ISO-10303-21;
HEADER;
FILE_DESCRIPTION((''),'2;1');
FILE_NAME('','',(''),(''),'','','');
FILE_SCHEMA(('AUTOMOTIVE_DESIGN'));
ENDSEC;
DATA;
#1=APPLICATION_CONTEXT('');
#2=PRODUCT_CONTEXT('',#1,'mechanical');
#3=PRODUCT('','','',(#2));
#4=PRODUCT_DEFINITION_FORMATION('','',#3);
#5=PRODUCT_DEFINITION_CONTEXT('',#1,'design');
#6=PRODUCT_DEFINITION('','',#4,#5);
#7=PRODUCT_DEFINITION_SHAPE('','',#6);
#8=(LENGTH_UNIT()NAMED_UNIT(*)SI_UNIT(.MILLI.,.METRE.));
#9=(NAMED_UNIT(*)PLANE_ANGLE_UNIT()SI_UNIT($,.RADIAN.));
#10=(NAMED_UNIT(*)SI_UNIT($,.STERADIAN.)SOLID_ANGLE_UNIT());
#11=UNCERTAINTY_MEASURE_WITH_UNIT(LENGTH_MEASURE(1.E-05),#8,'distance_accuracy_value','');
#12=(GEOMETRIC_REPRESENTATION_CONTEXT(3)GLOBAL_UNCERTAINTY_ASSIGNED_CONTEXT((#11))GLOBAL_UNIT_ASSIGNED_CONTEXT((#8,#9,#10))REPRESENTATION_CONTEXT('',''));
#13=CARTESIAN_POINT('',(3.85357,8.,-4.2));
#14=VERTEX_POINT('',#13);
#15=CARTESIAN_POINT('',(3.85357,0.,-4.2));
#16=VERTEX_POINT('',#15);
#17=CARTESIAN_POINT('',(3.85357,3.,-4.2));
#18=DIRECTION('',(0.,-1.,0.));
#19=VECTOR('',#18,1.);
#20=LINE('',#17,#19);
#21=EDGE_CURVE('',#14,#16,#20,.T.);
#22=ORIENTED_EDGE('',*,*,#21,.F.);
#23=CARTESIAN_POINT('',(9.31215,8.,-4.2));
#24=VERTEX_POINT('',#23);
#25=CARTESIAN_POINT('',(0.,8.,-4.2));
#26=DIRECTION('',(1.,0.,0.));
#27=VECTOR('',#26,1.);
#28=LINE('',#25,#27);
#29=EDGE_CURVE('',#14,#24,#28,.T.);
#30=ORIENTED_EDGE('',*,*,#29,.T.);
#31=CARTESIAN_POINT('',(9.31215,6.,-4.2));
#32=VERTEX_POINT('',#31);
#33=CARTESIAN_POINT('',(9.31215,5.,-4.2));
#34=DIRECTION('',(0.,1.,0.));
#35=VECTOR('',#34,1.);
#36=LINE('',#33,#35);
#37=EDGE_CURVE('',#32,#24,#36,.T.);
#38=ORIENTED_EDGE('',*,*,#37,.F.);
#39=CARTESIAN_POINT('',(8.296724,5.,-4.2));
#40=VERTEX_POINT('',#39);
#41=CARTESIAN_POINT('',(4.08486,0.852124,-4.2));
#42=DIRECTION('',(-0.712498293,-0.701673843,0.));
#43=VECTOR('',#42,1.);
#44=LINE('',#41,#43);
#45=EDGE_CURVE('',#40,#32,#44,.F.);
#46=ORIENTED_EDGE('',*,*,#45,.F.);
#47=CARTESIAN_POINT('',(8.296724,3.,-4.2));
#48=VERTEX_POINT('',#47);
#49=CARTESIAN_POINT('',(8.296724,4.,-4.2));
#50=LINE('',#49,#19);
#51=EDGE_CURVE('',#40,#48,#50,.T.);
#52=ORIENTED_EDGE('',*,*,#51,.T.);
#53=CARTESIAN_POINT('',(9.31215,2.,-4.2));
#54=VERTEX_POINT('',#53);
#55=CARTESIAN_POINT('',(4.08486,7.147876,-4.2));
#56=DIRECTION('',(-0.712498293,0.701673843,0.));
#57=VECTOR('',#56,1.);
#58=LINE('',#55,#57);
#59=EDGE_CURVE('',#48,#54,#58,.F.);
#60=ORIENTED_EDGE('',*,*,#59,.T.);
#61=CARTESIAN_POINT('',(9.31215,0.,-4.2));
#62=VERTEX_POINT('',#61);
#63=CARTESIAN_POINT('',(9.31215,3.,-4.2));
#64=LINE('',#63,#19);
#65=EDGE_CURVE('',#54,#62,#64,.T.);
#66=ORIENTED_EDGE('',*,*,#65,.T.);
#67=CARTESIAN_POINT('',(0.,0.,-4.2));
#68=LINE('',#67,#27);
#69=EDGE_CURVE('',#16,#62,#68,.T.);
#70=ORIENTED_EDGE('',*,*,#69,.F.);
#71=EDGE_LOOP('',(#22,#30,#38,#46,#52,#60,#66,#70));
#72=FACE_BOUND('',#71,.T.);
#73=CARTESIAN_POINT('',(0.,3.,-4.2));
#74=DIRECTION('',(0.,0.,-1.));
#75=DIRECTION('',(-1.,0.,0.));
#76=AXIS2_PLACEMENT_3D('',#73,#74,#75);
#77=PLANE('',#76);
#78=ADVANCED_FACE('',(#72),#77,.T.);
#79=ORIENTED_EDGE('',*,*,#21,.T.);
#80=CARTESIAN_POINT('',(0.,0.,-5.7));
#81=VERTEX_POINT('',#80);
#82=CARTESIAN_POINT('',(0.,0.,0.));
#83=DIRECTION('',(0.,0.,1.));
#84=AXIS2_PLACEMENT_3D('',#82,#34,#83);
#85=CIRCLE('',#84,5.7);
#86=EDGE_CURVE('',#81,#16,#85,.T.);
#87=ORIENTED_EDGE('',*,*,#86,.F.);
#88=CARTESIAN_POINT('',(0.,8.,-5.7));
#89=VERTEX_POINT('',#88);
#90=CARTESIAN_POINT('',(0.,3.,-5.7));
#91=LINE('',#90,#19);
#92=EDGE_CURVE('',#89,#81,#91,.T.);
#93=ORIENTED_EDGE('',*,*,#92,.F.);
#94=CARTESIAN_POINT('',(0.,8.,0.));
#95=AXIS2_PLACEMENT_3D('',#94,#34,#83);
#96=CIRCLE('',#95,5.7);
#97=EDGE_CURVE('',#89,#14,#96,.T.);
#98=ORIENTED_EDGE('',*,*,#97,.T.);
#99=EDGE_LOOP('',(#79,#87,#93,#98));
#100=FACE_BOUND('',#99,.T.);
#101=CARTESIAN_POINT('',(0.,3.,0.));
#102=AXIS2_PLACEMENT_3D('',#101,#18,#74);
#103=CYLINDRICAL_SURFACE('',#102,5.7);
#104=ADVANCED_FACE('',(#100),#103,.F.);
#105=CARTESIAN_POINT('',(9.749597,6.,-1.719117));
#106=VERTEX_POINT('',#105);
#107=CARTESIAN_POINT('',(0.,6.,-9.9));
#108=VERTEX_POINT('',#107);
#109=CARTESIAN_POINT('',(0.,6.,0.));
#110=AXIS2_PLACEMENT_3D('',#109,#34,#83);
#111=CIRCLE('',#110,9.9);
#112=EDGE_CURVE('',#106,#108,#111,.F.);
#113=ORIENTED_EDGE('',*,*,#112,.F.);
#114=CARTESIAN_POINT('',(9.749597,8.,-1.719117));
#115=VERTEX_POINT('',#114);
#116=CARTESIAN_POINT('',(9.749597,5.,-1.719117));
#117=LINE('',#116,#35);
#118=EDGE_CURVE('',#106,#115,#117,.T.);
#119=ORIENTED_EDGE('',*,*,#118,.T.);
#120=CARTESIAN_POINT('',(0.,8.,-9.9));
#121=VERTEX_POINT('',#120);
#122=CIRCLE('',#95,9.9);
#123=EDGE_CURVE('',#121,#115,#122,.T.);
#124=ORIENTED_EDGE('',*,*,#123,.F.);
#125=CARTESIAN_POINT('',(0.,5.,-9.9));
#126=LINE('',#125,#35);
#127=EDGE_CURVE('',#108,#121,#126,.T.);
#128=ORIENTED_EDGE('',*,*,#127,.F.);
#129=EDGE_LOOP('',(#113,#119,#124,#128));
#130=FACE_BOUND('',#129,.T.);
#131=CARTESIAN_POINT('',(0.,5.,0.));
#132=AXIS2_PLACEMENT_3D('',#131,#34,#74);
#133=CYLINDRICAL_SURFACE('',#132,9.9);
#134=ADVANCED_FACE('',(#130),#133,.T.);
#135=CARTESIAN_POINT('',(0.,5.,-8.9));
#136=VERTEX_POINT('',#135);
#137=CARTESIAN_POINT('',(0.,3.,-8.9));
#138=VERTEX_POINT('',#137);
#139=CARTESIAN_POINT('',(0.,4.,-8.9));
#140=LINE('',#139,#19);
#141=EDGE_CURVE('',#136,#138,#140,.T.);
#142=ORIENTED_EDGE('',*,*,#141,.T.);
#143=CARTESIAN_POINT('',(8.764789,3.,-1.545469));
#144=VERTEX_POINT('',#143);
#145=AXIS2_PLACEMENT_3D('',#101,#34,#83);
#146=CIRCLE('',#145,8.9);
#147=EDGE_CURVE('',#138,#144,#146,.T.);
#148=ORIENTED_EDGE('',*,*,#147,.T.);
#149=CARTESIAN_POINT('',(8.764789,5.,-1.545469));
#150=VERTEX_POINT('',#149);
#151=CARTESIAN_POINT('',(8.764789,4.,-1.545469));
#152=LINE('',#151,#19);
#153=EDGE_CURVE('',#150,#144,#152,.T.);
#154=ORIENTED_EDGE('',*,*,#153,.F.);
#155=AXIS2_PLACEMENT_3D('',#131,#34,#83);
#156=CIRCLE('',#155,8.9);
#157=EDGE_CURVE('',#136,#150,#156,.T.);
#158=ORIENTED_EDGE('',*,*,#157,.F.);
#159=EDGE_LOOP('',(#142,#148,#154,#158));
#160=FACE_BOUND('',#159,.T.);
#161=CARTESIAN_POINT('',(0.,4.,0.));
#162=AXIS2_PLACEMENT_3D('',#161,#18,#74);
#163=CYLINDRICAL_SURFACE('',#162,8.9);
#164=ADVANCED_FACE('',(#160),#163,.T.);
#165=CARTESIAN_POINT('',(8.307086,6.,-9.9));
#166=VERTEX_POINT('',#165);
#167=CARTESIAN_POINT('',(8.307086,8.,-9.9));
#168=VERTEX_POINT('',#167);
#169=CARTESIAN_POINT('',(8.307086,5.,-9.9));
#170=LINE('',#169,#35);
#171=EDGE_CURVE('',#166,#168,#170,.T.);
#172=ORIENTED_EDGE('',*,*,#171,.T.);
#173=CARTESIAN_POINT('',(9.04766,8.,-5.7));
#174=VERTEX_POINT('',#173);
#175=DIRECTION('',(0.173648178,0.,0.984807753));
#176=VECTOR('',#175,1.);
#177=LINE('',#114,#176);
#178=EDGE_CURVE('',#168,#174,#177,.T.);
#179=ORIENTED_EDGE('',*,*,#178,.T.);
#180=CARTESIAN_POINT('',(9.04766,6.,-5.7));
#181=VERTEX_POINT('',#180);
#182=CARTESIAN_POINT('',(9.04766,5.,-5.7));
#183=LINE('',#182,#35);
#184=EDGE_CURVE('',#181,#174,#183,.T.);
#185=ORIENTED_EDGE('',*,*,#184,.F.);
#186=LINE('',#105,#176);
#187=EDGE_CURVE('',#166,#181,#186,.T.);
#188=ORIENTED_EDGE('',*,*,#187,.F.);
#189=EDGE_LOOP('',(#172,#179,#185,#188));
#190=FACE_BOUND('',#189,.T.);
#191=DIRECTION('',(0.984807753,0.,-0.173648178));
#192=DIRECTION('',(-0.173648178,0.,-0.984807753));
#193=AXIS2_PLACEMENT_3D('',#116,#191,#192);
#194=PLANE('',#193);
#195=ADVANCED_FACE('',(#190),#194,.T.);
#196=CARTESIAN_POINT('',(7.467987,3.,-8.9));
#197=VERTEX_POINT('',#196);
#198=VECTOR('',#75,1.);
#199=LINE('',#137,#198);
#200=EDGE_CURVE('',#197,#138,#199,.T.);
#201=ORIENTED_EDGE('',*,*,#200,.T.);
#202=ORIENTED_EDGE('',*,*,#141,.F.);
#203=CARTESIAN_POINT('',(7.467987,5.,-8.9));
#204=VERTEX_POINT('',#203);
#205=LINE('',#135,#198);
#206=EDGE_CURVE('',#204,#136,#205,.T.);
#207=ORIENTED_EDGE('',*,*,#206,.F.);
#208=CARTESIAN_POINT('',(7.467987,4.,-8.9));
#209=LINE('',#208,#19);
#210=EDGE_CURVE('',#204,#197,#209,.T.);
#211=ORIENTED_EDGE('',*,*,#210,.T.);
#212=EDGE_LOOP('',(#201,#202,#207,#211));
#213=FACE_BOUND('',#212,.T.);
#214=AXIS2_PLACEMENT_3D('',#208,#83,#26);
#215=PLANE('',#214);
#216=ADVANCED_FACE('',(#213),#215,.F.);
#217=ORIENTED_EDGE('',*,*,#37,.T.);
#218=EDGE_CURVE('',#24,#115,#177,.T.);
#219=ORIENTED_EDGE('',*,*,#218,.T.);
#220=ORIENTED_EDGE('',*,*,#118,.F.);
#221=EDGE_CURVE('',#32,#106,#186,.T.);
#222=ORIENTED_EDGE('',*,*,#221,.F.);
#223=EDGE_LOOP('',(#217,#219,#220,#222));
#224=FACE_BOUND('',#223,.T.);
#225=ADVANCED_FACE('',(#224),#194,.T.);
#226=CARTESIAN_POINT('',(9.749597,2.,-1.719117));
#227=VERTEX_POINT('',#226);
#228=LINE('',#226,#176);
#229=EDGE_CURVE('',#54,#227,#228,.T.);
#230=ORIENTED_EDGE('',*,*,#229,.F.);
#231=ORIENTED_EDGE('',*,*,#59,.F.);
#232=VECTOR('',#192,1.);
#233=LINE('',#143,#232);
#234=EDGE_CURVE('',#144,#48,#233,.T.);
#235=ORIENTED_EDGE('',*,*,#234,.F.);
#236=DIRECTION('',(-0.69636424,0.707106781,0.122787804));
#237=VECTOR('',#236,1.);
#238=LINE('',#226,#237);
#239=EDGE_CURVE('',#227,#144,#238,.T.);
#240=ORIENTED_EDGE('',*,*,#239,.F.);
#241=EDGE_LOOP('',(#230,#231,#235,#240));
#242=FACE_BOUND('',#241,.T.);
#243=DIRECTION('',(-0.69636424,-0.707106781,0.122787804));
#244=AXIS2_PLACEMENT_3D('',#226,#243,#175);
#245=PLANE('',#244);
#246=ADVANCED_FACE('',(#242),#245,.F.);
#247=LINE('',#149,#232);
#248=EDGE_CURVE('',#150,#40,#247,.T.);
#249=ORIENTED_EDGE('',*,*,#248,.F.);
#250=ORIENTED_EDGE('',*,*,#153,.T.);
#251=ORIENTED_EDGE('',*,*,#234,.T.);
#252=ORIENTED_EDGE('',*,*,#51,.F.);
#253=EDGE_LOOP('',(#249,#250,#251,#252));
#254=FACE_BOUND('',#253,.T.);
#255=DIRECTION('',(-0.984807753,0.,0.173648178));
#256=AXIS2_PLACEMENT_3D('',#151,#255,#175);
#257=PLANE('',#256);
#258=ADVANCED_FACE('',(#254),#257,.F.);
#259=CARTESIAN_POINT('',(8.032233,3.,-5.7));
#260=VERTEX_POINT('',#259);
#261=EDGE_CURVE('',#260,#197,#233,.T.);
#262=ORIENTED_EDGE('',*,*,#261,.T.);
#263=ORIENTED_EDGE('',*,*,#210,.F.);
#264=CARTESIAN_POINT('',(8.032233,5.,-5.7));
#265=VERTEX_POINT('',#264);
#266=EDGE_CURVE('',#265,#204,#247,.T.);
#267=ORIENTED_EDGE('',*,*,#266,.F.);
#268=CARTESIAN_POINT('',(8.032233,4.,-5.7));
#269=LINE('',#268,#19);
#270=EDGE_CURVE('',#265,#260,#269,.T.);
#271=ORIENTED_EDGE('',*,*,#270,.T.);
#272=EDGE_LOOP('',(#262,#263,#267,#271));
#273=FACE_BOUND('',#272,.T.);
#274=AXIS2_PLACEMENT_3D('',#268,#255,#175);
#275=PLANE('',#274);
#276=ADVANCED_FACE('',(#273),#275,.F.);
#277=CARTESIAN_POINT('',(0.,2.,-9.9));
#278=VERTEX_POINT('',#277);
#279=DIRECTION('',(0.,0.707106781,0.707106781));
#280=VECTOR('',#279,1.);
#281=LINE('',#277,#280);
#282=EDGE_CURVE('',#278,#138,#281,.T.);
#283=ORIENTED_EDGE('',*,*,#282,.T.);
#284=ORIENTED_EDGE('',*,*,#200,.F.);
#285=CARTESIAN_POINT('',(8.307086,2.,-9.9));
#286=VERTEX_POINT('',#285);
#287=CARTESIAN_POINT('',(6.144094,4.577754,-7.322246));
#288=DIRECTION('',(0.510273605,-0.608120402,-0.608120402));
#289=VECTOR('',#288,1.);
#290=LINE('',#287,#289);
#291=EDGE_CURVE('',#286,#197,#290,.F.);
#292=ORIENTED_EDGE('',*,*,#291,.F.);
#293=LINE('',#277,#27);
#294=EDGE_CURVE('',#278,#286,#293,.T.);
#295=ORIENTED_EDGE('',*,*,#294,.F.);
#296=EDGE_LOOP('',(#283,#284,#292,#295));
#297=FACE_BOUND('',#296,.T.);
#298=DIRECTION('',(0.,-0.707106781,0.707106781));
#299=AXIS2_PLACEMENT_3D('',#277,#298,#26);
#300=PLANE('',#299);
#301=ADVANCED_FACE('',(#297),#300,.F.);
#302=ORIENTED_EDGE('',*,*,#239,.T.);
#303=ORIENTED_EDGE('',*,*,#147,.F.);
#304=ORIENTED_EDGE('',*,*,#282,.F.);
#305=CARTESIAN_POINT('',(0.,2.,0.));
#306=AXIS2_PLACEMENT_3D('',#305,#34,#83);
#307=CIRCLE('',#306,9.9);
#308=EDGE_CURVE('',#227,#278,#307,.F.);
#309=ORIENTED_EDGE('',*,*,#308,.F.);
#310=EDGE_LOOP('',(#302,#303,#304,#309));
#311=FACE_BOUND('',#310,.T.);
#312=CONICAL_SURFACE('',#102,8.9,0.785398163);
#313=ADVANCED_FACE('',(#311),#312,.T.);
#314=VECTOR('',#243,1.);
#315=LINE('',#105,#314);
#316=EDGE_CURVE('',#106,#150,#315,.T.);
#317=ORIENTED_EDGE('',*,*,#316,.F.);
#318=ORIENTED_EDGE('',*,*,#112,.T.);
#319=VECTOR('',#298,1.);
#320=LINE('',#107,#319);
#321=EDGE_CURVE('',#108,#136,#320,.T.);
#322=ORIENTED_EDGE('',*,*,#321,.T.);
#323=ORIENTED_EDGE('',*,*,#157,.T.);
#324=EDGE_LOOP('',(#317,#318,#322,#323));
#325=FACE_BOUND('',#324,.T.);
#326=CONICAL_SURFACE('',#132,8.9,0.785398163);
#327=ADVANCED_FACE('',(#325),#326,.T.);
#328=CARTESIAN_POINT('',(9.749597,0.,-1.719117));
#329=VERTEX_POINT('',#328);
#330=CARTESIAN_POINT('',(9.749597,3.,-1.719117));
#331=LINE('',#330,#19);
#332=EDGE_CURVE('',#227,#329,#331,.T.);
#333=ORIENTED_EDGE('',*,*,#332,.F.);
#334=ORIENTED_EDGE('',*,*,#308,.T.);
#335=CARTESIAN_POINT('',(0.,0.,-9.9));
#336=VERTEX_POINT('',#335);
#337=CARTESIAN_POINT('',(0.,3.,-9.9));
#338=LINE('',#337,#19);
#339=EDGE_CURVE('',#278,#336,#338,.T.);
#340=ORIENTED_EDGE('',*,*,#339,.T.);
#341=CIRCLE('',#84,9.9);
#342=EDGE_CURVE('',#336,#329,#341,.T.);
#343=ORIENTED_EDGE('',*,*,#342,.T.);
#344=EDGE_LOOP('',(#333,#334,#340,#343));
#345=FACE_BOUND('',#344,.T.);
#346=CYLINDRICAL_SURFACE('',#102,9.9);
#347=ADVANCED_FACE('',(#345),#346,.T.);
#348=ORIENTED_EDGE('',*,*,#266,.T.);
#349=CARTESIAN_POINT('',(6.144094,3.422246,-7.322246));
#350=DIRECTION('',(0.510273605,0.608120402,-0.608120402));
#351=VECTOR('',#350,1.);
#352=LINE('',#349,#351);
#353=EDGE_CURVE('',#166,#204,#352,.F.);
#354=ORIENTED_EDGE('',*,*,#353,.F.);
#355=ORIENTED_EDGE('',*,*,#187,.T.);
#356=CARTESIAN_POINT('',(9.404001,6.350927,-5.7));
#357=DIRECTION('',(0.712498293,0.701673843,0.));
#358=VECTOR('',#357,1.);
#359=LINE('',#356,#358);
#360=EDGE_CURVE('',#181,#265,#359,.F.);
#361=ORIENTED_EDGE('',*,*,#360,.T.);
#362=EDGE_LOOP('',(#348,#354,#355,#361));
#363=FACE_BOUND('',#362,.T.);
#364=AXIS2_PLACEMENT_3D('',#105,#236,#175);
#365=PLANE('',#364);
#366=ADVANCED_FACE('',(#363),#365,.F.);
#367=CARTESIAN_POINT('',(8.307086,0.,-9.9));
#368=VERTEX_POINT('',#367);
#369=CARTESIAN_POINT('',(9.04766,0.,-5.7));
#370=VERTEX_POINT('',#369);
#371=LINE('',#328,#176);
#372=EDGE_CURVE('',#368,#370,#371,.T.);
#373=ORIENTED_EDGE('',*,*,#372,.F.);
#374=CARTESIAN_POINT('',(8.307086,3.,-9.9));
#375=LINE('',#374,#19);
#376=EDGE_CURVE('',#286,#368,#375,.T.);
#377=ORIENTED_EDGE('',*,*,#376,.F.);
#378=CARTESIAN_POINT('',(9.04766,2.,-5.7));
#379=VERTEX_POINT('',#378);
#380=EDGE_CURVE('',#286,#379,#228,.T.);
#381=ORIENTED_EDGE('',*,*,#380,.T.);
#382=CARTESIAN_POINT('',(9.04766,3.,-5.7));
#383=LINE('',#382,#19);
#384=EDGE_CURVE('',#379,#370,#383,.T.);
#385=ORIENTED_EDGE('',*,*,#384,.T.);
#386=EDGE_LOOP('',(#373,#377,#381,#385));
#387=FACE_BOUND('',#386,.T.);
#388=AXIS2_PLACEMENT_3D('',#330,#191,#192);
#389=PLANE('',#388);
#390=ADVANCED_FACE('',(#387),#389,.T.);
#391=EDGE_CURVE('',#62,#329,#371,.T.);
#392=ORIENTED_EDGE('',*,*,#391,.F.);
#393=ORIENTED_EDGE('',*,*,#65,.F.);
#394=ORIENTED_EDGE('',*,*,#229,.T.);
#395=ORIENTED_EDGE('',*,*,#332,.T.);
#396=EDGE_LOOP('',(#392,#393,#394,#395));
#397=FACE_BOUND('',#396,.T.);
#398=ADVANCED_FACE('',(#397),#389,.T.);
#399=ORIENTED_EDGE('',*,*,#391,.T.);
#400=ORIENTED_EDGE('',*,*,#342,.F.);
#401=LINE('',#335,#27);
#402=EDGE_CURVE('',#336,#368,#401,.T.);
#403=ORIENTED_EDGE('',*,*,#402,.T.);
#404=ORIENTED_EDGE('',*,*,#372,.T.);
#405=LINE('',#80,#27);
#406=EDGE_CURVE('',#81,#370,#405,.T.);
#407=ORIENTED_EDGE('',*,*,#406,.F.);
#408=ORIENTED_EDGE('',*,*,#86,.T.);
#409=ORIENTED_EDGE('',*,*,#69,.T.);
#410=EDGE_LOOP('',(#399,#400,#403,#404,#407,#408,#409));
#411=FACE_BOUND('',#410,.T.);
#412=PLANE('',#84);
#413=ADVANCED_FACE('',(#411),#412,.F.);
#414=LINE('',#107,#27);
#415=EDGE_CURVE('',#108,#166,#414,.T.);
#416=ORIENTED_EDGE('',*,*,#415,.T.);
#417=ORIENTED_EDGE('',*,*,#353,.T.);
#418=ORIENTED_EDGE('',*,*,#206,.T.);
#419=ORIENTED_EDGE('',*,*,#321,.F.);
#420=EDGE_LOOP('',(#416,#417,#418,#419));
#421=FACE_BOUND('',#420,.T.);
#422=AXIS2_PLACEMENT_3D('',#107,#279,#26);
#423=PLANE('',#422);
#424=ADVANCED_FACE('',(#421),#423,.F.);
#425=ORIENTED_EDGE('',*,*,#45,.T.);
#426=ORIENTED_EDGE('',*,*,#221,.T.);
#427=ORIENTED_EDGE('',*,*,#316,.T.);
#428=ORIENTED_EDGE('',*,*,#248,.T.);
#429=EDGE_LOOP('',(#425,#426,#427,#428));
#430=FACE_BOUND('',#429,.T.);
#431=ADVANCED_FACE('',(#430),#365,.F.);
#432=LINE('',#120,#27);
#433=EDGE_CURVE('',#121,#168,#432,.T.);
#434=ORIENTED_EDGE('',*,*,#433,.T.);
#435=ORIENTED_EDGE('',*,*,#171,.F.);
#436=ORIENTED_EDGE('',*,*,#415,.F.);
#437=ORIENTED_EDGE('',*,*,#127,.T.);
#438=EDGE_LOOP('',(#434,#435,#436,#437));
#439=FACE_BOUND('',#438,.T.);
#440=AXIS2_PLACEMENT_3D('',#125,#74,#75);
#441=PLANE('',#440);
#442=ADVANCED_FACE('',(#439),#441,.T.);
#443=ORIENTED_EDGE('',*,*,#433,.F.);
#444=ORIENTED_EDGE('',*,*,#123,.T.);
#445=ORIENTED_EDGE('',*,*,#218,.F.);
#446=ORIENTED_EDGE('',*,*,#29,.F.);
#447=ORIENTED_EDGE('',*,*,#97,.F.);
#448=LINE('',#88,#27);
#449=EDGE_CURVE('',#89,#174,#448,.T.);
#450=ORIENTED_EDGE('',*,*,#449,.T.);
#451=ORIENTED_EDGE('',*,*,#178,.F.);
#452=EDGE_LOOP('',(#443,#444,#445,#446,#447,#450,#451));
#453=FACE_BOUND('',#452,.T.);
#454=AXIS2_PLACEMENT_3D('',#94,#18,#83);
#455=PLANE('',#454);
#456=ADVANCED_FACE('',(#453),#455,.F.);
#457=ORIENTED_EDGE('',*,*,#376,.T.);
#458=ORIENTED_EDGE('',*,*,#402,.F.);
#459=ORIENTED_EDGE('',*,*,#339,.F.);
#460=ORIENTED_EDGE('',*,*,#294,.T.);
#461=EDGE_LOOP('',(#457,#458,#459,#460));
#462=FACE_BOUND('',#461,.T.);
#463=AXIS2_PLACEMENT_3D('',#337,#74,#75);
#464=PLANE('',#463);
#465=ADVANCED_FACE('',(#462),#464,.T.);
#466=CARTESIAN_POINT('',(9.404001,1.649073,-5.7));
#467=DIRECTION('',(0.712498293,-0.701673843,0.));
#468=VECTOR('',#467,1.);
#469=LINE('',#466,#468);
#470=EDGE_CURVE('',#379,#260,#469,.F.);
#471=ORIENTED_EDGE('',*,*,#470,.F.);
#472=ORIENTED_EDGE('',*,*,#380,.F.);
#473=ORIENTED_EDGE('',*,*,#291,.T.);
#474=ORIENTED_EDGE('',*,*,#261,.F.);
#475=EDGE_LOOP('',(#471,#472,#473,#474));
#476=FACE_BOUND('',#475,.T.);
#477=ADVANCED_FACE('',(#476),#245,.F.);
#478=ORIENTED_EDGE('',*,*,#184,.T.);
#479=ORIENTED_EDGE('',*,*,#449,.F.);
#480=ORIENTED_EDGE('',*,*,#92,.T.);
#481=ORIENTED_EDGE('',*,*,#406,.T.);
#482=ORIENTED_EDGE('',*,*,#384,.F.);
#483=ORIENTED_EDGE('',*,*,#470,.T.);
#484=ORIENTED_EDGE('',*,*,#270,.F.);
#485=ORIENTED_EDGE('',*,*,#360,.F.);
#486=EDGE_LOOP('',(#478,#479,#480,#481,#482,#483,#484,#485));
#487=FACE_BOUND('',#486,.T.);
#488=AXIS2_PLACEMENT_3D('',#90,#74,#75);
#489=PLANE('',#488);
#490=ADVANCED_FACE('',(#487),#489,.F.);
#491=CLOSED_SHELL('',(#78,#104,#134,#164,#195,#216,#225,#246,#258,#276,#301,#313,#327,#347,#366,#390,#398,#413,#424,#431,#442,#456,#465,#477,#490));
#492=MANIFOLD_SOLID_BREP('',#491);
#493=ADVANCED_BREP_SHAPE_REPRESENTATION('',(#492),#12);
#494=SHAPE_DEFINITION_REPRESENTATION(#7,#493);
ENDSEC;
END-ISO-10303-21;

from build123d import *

# Parameters (mm, degrees)
BOSS_EXTRUDE1_DEPTH = 3
CHAMFER1_SIZE       = 1
BOSS_EXTRUDE2_DEPTH = 1


with BuildPart() as part:
    # Sketch1 → Boss-Extrude1 (new body)
    with BuildSketch(Plane(origin=(0, 0, 0), x_dir=(1, 0, 0), z_dir=(0, 1, 0))):
        with BuildLine():
            Line((8.307086349, 9.9), (0, 9.9))
            ThreePointArc((0, 9.9), (-6.363597336, -7.583839987), (9.749596755, 1.719116959))
            Line((9.749596755, 1.719116959), (9.312150139, 4.2))
            Line((9.312150139, 4.2), (3.853569774, 4.2))
            ThreePointArc((3.853569774, 4.2), (5.218014359, 2.293976056), (5.7, 0))
            ThreePointArc((5.7, 0), (-4.030508653, -4.030508653), (0, 5.7))
            Line((0, 5.7), (9.047659668, 5.7))
            Line((9.047659668, 5.7), (8.307086349, 9.9))
        make_face()
    extrude(amount=BOSS_EXTRUDE1_DEPTH)

    # Chamfer1
    chamfer1_edges = [part.edges().sort_by_distance(p)[0] for p in [
        (-6.363597336, 3, 7.583839987),
        (9.530873447, 3, -2.959558479),
        (8.677373008, 3, -7.8),
        (4.153543174, 3, -9.9),
    ]]
    chamfer(chamfer1_edges, length=CHAMFER1_SIZE)

    # Sketch3 → Boss-Extrude2 (add)
    with BuildSketch(Plane(origin=(0, 3, 0), x_dir=(1, 0, 0), z_dir=(0, 1, 0))):
        with BuildLine():
            Line((0, 5.7), (8.032233056, 5.7))
            Line((8.032233056, 5.7), (7.467986717, 8.9))
            Line((7.467986717, 8.9), (0, 8.9))
            ThreePointArc((0, 8.9), (-5.720809726, -6.817795544), (8.764789002, 1.545468781))
            Line((8.764789002, 1.545468781), (8.296723527, 4.2))
            Line((8.296723527, 4.2), (3.853569774, 4.2))
            ThreePointArc((3.853569774, 4.2), (-2.067607313, -5.311779363), (0, 5.7))
        make_face()
    extrude(amount=BOSS_EXTRUDE2_DEPTH)

    # Mirror1: part across plane


with BuildPart() as part_1:
    add(part.part)
    add(part.part.mirror(Plane.ZX.offset(4)))


solid = part_1.part
